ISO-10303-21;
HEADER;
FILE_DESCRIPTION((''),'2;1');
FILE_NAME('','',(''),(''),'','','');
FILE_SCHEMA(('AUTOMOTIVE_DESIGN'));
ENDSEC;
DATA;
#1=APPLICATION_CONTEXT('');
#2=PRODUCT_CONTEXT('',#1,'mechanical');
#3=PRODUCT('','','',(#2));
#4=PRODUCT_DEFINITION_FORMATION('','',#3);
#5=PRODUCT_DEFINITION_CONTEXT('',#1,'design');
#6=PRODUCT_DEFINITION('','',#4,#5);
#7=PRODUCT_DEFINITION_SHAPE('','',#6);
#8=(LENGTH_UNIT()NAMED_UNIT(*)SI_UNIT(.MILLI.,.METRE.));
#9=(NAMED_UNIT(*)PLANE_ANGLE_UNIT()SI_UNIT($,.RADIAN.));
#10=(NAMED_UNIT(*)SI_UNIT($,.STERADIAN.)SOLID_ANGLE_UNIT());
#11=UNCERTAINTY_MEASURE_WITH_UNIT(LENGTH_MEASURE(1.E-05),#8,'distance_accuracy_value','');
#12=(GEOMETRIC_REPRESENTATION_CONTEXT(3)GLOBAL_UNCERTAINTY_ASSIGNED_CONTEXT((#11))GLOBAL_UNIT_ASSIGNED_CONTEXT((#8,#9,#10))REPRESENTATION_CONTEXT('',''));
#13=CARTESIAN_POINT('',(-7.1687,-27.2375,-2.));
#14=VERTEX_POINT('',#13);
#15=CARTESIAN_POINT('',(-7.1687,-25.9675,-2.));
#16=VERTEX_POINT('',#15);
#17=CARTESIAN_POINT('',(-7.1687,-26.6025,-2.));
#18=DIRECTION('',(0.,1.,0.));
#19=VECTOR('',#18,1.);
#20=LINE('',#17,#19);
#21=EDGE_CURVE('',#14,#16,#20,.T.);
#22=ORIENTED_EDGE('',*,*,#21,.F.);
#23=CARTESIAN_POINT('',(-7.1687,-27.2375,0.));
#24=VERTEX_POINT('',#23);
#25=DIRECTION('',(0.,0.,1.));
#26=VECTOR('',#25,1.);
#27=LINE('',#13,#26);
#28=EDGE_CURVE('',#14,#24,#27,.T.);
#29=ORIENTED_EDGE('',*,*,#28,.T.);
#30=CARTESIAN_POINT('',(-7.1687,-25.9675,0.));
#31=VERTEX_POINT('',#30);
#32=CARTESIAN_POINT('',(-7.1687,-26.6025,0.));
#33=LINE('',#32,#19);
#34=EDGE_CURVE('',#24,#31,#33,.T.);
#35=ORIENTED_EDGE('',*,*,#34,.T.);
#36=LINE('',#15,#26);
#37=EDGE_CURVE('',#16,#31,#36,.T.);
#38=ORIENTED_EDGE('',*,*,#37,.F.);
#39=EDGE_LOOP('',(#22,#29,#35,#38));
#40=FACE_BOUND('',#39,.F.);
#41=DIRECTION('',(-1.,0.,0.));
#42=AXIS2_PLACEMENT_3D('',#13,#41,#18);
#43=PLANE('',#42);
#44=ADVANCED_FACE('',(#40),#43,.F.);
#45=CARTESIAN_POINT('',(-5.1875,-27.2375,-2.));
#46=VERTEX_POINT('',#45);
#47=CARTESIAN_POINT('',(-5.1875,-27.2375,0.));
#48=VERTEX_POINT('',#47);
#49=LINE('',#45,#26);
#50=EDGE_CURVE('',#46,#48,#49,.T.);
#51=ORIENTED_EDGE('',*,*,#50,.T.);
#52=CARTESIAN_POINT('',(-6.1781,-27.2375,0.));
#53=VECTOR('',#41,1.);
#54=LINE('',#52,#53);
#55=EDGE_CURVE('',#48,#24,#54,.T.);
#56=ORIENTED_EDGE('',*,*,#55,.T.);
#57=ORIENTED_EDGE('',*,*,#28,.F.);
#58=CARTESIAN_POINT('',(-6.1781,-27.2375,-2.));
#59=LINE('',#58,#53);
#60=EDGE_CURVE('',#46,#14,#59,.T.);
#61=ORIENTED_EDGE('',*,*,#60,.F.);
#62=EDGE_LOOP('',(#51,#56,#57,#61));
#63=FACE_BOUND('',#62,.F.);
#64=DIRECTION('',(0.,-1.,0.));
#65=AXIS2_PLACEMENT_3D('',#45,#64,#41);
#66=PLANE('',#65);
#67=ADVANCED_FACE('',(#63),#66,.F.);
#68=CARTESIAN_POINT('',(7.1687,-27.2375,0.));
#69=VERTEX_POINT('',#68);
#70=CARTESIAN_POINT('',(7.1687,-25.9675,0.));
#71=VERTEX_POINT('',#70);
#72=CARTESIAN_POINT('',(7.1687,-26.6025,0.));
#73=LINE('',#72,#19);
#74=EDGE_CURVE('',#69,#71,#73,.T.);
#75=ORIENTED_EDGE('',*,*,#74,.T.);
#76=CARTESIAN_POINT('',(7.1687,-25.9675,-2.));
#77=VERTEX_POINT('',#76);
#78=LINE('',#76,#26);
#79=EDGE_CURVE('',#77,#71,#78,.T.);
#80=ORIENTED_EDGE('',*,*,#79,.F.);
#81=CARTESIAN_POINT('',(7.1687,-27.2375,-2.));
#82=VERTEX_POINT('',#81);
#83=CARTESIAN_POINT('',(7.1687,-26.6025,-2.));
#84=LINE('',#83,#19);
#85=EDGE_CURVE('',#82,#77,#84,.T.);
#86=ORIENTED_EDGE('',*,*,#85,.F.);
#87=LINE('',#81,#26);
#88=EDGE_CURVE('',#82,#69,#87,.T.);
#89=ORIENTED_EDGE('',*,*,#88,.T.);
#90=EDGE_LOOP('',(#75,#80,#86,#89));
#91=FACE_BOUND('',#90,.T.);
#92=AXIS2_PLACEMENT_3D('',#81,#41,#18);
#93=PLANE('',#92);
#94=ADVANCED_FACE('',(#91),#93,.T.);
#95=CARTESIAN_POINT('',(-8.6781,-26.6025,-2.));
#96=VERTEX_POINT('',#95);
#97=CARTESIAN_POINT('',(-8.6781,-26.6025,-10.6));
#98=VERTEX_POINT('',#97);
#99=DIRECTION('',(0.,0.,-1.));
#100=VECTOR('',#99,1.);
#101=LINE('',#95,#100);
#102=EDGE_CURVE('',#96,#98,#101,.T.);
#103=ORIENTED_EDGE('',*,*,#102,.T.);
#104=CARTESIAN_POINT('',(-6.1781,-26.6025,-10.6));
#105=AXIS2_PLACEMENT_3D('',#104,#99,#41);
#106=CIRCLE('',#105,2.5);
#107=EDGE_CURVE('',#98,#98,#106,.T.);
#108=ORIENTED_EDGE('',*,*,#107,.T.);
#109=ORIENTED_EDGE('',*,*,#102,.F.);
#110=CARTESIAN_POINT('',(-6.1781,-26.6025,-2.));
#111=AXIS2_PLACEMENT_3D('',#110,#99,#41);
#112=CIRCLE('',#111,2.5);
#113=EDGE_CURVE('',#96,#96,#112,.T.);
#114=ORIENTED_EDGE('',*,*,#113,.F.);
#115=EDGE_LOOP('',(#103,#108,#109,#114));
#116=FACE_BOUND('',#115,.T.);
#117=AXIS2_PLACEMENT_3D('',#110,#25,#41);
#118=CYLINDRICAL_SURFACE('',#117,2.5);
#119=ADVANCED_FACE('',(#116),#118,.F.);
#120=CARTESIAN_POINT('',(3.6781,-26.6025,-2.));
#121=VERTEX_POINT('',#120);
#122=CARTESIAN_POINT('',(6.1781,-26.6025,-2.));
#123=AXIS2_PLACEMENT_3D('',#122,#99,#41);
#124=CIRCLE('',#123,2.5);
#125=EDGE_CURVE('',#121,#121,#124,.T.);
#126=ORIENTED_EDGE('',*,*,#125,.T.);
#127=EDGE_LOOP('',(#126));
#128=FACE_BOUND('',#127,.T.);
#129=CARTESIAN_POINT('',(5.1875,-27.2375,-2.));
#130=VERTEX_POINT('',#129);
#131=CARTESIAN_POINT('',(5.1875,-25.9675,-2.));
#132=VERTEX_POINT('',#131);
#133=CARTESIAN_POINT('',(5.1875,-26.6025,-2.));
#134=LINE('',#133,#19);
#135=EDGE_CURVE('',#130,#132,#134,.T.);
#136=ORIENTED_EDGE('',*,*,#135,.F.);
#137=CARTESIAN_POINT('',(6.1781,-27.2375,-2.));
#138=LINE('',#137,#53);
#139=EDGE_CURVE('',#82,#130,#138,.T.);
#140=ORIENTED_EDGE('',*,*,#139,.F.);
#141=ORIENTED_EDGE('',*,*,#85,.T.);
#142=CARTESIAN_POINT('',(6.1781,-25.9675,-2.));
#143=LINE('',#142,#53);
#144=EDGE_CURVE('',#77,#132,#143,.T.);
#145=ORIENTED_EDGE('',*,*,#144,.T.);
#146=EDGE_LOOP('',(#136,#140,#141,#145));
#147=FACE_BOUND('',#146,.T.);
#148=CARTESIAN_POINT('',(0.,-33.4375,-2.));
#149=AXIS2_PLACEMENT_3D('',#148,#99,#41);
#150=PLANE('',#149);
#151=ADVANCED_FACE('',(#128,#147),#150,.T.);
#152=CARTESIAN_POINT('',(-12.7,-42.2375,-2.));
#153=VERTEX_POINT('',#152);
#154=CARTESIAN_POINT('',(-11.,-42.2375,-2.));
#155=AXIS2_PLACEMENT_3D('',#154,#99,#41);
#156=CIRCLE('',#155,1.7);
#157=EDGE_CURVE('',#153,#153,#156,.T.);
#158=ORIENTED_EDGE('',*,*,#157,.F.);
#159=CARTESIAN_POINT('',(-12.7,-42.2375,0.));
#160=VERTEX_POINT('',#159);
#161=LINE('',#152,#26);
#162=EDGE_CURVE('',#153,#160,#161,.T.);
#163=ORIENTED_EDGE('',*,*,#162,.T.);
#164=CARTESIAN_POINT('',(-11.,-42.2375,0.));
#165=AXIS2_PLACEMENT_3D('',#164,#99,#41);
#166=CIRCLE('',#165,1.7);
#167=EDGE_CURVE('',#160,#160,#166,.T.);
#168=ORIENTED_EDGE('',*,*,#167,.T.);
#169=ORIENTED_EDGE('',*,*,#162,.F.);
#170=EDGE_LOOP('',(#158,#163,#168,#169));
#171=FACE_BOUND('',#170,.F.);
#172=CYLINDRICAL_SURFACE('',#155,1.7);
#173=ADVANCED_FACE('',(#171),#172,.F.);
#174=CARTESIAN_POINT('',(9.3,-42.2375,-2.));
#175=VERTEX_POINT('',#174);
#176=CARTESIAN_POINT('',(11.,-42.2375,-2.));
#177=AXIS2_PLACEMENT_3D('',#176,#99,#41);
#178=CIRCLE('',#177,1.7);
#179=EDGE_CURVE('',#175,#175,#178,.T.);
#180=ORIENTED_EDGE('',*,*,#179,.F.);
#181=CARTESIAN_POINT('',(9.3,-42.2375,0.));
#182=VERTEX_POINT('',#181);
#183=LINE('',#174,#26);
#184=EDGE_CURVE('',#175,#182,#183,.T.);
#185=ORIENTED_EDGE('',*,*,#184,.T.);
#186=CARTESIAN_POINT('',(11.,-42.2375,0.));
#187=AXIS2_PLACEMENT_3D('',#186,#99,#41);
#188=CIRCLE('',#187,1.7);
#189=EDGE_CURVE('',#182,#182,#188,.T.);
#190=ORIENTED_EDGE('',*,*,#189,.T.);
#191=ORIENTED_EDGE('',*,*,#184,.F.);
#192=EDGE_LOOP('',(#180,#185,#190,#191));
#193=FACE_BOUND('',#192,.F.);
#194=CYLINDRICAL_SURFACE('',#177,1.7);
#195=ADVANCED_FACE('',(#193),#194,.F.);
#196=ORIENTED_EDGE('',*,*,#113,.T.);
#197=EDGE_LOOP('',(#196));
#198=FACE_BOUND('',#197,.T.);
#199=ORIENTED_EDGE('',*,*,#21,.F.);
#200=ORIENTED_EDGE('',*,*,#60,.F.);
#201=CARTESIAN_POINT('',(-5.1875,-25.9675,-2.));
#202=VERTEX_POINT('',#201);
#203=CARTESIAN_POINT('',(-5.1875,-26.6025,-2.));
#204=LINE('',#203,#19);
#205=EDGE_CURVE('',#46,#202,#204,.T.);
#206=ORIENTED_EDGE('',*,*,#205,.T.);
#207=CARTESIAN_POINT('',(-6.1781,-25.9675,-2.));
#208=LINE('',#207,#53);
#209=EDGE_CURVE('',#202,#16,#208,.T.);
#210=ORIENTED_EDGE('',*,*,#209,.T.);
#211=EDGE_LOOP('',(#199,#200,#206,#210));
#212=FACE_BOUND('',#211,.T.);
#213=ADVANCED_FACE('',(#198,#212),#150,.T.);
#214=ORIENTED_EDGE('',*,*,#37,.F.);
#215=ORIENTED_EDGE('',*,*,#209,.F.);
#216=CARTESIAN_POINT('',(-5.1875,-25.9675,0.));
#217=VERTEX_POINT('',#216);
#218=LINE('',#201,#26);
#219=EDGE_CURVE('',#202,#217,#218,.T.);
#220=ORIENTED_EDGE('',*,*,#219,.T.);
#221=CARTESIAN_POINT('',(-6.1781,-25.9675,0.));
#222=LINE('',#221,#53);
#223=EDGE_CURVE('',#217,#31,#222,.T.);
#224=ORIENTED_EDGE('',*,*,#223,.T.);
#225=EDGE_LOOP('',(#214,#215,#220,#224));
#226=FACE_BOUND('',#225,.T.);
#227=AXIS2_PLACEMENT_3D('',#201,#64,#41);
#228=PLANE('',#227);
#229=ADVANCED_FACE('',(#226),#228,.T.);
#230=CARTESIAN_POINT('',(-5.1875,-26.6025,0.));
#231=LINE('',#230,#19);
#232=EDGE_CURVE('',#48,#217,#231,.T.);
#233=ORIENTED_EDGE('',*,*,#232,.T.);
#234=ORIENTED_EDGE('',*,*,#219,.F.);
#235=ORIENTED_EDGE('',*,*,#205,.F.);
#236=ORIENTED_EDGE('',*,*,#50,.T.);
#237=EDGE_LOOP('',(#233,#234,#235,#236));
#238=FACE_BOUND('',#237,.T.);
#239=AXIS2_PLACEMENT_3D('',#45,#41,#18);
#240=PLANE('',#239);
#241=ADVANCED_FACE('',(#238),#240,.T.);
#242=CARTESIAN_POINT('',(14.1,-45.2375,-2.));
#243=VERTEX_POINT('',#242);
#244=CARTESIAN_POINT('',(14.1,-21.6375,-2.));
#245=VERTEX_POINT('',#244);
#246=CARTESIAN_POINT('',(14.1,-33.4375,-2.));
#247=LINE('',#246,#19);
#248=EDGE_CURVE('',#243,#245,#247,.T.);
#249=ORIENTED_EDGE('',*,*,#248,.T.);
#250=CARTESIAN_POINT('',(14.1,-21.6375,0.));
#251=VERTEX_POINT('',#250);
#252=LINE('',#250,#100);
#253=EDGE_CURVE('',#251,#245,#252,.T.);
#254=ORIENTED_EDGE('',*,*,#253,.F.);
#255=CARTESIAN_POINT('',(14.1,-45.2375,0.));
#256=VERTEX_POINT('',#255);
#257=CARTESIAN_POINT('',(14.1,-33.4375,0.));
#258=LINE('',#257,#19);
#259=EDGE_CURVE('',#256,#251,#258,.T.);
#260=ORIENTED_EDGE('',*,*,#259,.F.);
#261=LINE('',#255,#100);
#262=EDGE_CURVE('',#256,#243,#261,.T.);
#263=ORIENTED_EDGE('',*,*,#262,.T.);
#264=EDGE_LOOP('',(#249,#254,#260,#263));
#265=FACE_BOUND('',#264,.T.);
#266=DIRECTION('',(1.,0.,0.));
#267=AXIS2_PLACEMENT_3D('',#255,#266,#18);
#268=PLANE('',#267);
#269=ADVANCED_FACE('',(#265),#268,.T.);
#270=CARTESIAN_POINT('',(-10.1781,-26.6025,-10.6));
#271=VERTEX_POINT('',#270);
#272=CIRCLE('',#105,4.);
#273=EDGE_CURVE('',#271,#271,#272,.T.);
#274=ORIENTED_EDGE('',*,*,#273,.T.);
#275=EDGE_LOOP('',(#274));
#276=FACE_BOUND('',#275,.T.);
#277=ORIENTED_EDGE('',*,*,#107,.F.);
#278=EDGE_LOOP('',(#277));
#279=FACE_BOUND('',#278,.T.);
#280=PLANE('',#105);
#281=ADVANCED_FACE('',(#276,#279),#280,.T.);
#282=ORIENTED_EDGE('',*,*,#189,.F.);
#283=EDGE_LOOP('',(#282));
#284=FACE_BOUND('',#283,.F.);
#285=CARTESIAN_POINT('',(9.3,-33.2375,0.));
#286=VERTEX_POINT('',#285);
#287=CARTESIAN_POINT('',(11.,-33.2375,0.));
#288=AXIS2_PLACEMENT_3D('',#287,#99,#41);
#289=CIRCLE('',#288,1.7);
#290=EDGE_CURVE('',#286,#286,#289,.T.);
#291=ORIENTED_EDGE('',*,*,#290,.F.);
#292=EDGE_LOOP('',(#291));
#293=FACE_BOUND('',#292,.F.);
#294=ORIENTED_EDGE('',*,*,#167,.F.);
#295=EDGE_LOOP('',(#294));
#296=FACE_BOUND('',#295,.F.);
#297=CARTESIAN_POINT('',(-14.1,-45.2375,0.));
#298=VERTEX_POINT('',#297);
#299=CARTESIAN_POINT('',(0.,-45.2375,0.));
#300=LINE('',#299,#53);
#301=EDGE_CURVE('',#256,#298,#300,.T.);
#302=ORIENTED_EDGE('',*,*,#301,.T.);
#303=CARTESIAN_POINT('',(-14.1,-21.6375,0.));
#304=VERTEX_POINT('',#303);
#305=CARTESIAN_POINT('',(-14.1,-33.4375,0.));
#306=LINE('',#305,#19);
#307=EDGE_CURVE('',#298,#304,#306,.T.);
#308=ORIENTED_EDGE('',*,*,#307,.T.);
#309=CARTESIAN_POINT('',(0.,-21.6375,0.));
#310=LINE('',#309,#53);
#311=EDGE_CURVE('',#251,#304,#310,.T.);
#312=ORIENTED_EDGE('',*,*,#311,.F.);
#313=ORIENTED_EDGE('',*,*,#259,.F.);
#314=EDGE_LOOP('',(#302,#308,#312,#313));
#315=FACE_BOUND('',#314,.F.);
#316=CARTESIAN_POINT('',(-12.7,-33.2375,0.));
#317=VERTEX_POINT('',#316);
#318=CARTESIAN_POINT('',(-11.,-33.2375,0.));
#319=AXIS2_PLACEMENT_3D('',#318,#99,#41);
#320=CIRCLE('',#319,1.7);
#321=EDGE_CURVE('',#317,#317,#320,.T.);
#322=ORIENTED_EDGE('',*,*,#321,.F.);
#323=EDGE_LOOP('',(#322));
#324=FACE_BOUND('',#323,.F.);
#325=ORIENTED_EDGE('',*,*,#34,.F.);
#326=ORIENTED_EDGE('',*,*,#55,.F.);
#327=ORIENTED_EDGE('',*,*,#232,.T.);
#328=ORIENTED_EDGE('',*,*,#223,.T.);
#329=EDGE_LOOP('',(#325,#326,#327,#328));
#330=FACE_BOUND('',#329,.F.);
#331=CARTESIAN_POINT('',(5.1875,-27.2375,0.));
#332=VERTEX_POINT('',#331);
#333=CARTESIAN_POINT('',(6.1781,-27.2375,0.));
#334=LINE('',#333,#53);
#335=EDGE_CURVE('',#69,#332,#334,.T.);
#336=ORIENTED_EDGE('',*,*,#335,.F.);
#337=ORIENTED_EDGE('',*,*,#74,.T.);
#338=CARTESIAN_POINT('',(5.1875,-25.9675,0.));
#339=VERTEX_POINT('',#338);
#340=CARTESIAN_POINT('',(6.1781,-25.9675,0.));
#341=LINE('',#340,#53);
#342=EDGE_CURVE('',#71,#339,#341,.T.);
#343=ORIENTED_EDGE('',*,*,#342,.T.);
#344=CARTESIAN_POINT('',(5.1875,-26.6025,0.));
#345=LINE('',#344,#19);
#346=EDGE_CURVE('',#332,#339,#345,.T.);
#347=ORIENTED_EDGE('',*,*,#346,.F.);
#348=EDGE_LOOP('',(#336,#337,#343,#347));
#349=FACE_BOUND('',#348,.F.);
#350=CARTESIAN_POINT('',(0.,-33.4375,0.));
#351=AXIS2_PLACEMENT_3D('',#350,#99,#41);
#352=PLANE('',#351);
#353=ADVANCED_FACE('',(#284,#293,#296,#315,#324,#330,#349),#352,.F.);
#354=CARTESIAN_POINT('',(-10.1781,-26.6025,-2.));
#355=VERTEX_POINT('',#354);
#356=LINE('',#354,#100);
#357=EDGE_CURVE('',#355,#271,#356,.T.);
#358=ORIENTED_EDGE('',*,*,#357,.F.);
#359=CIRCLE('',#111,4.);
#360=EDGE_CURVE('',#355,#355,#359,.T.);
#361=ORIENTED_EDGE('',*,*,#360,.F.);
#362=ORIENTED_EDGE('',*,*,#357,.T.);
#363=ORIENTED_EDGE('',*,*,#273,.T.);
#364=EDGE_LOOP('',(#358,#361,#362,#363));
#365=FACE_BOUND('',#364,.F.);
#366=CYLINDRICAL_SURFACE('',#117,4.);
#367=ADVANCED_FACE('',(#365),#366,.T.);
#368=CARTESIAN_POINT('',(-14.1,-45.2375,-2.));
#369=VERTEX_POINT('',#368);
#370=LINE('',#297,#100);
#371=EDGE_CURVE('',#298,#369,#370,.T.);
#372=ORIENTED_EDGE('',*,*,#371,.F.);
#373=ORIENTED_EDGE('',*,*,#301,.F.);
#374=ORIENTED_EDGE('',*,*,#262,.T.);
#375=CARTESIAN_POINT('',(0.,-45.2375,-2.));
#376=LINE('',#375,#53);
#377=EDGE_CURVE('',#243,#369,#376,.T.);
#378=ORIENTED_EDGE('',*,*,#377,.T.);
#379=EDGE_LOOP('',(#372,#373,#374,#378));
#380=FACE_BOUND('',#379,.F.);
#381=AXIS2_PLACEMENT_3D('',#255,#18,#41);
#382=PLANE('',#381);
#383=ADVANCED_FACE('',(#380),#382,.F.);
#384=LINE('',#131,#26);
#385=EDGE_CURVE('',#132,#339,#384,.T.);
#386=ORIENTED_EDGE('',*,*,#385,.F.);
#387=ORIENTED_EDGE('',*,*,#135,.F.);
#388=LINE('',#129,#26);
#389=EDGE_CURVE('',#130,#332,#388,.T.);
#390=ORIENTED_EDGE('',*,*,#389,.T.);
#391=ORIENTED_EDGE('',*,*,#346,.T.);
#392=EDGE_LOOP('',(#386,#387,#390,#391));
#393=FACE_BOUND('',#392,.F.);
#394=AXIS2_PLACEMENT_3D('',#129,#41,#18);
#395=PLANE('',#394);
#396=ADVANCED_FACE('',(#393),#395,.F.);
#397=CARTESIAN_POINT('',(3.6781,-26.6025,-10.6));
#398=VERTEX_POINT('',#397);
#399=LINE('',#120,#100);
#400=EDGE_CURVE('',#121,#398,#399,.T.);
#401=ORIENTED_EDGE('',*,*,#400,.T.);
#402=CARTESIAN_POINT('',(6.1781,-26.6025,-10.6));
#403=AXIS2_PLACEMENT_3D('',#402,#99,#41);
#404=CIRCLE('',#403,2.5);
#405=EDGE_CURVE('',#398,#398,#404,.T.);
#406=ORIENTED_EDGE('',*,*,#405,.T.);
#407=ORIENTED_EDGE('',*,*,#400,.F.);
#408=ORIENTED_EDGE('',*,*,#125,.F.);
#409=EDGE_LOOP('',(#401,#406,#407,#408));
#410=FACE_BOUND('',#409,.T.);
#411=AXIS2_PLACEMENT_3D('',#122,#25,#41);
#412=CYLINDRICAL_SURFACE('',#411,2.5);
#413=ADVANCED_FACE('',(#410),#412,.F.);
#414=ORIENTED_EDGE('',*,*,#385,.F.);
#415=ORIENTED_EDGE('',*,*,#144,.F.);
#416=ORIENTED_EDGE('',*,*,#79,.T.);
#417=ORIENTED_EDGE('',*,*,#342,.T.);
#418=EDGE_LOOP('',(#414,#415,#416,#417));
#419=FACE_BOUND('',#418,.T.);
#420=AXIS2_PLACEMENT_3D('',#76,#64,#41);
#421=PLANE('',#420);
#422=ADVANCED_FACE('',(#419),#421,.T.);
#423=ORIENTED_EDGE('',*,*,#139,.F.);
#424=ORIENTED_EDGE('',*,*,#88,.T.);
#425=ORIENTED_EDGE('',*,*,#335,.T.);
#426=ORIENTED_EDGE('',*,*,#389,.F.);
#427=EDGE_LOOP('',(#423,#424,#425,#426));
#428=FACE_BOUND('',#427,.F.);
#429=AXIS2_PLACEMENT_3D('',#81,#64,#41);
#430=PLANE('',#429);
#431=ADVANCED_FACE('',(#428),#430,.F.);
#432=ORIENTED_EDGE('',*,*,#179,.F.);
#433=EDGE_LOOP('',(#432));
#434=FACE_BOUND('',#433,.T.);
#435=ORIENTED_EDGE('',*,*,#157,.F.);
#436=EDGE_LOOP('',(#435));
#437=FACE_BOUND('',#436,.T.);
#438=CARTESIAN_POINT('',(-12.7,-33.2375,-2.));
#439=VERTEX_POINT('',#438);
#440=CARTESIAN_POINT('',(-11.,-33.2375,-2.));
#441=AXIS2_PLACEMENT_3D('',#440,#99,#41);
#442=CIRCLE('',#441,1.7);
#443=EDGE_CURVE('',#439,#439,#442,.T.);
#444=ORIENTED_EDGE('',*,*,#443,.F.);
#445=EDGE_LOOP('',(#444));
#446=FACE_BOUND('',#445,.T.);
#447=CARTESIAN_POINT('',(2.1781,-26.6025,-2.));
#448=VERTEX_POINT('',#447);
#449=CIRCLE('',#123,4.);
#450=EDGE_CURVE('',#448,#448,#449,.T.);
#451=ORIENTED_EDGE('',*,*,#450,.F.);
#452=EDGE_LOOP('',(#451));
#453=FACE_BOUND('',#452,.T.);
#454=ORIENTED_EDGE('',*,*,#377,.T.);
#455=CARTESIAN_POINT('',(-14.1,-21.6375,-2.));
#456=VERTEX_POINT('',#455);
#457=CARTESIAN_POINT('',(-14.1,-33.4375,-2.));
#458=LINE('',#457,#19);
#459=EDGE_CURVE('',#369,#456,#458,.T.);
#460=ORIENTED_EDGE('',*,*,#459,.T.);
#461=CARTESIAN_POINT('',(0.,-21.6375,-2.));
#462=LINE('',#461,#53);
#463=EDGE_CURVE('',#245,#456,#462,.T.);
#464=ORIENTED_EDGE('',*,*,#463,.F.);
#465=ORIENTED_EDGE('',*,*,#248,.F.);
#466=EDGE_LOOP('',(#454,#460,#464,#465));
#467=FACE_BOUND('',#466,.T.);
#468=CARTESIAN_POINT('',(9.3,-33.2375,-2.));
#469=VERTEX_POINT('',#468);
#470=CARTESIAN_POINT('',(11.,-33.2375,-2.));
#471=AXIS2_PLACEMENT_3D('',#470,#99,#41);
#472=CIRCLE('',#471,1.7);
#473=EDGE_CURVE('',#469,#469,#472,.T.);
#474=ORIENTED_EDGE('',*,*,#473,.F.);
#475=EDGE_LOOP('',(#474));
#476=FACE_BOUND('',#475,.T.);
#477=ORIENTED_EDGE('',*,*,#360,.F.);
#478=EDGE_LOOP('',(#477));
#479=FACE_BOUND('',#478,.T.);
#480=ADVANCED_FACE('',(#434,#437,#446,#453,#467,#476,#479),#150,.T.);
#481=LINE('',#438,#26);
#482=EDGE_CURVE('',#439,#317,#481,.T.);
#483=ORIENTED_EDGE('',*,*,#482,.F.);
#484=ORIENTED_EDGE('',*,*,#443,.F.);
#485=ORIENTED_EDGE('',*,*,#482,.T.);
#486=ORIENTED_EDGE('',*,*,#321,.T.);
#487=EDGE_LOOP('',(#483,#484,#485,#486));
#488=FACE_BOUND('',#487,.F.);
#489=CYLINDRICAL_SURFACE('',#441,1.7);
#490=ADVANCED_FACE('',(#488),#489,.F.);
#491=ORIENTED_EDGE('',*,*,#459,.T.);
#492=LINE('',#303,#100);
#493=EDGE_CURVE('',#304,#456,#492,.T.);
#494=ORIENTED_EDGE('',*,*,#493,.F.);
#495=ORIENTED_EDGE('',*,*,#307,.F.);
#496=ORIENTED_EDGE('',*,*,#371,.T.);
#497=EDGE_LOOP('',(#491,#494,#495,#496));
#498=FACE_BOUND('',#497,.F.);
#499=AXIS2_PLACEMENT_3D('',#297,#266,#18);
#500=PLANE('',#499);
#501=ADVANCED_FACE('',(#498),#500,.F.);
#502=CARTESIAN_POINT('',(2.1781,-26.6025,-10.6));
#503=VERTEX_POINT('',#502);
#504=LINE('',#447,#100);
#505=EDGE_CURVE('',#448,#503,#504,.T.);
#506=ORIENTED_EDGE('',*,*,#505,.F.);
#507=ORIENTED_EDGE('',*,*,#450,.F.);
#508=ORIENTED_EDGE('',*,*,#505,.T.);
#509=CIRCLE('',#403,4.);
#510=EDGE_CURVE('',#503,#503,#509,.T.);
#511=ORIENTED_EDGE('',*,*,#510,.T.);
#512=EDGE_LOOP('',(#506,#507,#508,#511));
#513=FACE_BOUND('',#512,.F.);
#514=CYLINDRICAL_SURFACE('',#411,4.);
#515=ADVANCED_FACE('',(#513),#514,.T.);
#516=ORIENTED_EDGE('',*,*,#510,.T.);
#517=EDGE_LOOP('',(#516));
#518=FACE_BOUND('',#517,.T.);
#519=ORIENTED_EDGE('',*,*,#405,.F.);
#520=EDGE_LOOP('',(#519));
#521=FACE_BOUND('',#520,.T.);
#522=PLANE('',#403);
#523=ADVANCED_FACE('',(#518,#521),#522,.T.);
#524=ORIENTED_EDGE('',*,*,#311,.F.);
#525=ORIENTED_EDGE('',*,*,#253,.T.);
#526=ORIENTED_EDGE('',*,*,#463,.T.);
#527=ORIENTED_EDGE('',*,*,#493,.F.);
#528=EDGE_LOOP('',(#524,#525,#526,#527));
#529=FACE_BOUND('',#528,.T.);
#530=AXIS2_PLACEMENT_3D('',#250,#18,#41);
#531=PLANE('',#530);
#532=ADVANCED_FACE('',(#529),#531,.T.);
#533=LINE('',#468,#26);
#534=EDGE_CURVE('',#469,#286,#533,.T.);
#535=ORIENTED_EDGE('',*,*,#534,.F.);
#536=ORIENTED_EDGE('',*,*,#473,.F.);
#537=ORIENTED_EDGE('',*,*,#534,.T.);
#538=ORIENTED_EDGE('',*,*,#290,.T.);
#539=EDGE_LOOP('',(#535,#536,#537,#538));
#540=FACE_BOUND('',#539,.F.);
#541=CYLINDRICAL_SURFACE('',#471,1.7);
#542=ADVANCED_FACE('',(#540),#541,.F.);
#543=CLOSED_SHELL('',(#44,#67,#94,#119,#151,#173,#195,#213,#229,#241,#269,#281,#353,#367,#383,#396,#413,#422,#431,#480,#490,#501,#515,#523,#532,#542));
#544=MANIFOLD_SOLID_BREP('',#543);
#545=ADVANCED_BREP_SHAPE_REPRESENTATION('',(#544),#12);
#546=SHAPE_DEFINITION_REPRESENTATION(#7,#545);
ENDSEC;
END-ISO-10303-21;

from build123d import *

# Parameters (mm, degrees)
SKETCH013_W             = 28.2
SKETCH013_H             = 23.6
PAD004_DEPTH            = 2
SKETCH014_W             = 1.9812
SKETCH014_H             = 1.27
POCKET005_DEPTH         = 2
SKETCH015_R             = 4
SKETCH015_R_2           = 2.5
PAD005_DEPTH            = 8.6
SKETCH016_R             = 1.7
POCKET006_DEPTH         = 2
BODY002_PLACEMENT_ANGLE = 180


with BuildPart() as part:
    # Sketch013 → Pad004 (new body)
    with BuildSketch(Plane.XY):
        with Locations((0, -33.4375)):
            Rectangle(SKETCH013_W, SKETCH013_H)
    extrude(amount=PAD004_DEPTH)

    # Sketch014 (on Face6 of Pad004) → Pocket005 (cut)
    with BuildSketch(Plane.XY.offset(2)):
        with Locations((-6.1781, -26.6025)):
            Rectangle(SKETCH014_W, SKETCH014_H)
        with Locations((6.1781, -26.6025)):
            Rectangle(SKETCH014_W, SKETCH014_H)
    extrude(amount=-POCKET005_DEPTH, mode=Mode.SUBTRACT)

    # Sketch015 (on Face5 of Pocket005) → Pad005 (join)
    with BuildSketch(Plane.XY.offset(2)):
        with Locations((-6.1781, -26.6025)):
            Circle(SKETCH015_R)
        with Locations((-6.1781, -26.6025)):
            Circle(SKETCH015_R_2, mode=Mode.SUBTRACT)
        with Locations((6.1781, -26.6025)):
            Circle(SKETCH015_R)
        with Locations((6.1781, -26.6025)):
            Circle(SKETCH015_R_2, mode=Mode.SUBTRACT)
    extrude(amount=PAD005_DEPTH)

    # Sketch016 (on Face5 of Pad005) → Pocket006 (cut)
    with BuildSketch(Plane.XY.offset(2)):
        with Locations((-11, -42.2375)):
            Circle(SKETCH016_R)
        with Locations((11, -42.2375)):
            Circle(SKETCH016_R)
        with Locations((-11, -33.2375)):
            Circle(SKETCH016_R)
        with Locations((11, -33.2375)):
            Circle(SKETCH016_R)
    extrude(amount=-POCKET006_DEPTH, mode=Mode.SUBTRACT)


with BuildPart() as part_1:
    # Body002 placement: moved
    add(part.part.rotate(Axis((0, 0, 0), (0, 1, 0)), BODY002_PLACEMENT_ANGLE))


solid = part_1.part
